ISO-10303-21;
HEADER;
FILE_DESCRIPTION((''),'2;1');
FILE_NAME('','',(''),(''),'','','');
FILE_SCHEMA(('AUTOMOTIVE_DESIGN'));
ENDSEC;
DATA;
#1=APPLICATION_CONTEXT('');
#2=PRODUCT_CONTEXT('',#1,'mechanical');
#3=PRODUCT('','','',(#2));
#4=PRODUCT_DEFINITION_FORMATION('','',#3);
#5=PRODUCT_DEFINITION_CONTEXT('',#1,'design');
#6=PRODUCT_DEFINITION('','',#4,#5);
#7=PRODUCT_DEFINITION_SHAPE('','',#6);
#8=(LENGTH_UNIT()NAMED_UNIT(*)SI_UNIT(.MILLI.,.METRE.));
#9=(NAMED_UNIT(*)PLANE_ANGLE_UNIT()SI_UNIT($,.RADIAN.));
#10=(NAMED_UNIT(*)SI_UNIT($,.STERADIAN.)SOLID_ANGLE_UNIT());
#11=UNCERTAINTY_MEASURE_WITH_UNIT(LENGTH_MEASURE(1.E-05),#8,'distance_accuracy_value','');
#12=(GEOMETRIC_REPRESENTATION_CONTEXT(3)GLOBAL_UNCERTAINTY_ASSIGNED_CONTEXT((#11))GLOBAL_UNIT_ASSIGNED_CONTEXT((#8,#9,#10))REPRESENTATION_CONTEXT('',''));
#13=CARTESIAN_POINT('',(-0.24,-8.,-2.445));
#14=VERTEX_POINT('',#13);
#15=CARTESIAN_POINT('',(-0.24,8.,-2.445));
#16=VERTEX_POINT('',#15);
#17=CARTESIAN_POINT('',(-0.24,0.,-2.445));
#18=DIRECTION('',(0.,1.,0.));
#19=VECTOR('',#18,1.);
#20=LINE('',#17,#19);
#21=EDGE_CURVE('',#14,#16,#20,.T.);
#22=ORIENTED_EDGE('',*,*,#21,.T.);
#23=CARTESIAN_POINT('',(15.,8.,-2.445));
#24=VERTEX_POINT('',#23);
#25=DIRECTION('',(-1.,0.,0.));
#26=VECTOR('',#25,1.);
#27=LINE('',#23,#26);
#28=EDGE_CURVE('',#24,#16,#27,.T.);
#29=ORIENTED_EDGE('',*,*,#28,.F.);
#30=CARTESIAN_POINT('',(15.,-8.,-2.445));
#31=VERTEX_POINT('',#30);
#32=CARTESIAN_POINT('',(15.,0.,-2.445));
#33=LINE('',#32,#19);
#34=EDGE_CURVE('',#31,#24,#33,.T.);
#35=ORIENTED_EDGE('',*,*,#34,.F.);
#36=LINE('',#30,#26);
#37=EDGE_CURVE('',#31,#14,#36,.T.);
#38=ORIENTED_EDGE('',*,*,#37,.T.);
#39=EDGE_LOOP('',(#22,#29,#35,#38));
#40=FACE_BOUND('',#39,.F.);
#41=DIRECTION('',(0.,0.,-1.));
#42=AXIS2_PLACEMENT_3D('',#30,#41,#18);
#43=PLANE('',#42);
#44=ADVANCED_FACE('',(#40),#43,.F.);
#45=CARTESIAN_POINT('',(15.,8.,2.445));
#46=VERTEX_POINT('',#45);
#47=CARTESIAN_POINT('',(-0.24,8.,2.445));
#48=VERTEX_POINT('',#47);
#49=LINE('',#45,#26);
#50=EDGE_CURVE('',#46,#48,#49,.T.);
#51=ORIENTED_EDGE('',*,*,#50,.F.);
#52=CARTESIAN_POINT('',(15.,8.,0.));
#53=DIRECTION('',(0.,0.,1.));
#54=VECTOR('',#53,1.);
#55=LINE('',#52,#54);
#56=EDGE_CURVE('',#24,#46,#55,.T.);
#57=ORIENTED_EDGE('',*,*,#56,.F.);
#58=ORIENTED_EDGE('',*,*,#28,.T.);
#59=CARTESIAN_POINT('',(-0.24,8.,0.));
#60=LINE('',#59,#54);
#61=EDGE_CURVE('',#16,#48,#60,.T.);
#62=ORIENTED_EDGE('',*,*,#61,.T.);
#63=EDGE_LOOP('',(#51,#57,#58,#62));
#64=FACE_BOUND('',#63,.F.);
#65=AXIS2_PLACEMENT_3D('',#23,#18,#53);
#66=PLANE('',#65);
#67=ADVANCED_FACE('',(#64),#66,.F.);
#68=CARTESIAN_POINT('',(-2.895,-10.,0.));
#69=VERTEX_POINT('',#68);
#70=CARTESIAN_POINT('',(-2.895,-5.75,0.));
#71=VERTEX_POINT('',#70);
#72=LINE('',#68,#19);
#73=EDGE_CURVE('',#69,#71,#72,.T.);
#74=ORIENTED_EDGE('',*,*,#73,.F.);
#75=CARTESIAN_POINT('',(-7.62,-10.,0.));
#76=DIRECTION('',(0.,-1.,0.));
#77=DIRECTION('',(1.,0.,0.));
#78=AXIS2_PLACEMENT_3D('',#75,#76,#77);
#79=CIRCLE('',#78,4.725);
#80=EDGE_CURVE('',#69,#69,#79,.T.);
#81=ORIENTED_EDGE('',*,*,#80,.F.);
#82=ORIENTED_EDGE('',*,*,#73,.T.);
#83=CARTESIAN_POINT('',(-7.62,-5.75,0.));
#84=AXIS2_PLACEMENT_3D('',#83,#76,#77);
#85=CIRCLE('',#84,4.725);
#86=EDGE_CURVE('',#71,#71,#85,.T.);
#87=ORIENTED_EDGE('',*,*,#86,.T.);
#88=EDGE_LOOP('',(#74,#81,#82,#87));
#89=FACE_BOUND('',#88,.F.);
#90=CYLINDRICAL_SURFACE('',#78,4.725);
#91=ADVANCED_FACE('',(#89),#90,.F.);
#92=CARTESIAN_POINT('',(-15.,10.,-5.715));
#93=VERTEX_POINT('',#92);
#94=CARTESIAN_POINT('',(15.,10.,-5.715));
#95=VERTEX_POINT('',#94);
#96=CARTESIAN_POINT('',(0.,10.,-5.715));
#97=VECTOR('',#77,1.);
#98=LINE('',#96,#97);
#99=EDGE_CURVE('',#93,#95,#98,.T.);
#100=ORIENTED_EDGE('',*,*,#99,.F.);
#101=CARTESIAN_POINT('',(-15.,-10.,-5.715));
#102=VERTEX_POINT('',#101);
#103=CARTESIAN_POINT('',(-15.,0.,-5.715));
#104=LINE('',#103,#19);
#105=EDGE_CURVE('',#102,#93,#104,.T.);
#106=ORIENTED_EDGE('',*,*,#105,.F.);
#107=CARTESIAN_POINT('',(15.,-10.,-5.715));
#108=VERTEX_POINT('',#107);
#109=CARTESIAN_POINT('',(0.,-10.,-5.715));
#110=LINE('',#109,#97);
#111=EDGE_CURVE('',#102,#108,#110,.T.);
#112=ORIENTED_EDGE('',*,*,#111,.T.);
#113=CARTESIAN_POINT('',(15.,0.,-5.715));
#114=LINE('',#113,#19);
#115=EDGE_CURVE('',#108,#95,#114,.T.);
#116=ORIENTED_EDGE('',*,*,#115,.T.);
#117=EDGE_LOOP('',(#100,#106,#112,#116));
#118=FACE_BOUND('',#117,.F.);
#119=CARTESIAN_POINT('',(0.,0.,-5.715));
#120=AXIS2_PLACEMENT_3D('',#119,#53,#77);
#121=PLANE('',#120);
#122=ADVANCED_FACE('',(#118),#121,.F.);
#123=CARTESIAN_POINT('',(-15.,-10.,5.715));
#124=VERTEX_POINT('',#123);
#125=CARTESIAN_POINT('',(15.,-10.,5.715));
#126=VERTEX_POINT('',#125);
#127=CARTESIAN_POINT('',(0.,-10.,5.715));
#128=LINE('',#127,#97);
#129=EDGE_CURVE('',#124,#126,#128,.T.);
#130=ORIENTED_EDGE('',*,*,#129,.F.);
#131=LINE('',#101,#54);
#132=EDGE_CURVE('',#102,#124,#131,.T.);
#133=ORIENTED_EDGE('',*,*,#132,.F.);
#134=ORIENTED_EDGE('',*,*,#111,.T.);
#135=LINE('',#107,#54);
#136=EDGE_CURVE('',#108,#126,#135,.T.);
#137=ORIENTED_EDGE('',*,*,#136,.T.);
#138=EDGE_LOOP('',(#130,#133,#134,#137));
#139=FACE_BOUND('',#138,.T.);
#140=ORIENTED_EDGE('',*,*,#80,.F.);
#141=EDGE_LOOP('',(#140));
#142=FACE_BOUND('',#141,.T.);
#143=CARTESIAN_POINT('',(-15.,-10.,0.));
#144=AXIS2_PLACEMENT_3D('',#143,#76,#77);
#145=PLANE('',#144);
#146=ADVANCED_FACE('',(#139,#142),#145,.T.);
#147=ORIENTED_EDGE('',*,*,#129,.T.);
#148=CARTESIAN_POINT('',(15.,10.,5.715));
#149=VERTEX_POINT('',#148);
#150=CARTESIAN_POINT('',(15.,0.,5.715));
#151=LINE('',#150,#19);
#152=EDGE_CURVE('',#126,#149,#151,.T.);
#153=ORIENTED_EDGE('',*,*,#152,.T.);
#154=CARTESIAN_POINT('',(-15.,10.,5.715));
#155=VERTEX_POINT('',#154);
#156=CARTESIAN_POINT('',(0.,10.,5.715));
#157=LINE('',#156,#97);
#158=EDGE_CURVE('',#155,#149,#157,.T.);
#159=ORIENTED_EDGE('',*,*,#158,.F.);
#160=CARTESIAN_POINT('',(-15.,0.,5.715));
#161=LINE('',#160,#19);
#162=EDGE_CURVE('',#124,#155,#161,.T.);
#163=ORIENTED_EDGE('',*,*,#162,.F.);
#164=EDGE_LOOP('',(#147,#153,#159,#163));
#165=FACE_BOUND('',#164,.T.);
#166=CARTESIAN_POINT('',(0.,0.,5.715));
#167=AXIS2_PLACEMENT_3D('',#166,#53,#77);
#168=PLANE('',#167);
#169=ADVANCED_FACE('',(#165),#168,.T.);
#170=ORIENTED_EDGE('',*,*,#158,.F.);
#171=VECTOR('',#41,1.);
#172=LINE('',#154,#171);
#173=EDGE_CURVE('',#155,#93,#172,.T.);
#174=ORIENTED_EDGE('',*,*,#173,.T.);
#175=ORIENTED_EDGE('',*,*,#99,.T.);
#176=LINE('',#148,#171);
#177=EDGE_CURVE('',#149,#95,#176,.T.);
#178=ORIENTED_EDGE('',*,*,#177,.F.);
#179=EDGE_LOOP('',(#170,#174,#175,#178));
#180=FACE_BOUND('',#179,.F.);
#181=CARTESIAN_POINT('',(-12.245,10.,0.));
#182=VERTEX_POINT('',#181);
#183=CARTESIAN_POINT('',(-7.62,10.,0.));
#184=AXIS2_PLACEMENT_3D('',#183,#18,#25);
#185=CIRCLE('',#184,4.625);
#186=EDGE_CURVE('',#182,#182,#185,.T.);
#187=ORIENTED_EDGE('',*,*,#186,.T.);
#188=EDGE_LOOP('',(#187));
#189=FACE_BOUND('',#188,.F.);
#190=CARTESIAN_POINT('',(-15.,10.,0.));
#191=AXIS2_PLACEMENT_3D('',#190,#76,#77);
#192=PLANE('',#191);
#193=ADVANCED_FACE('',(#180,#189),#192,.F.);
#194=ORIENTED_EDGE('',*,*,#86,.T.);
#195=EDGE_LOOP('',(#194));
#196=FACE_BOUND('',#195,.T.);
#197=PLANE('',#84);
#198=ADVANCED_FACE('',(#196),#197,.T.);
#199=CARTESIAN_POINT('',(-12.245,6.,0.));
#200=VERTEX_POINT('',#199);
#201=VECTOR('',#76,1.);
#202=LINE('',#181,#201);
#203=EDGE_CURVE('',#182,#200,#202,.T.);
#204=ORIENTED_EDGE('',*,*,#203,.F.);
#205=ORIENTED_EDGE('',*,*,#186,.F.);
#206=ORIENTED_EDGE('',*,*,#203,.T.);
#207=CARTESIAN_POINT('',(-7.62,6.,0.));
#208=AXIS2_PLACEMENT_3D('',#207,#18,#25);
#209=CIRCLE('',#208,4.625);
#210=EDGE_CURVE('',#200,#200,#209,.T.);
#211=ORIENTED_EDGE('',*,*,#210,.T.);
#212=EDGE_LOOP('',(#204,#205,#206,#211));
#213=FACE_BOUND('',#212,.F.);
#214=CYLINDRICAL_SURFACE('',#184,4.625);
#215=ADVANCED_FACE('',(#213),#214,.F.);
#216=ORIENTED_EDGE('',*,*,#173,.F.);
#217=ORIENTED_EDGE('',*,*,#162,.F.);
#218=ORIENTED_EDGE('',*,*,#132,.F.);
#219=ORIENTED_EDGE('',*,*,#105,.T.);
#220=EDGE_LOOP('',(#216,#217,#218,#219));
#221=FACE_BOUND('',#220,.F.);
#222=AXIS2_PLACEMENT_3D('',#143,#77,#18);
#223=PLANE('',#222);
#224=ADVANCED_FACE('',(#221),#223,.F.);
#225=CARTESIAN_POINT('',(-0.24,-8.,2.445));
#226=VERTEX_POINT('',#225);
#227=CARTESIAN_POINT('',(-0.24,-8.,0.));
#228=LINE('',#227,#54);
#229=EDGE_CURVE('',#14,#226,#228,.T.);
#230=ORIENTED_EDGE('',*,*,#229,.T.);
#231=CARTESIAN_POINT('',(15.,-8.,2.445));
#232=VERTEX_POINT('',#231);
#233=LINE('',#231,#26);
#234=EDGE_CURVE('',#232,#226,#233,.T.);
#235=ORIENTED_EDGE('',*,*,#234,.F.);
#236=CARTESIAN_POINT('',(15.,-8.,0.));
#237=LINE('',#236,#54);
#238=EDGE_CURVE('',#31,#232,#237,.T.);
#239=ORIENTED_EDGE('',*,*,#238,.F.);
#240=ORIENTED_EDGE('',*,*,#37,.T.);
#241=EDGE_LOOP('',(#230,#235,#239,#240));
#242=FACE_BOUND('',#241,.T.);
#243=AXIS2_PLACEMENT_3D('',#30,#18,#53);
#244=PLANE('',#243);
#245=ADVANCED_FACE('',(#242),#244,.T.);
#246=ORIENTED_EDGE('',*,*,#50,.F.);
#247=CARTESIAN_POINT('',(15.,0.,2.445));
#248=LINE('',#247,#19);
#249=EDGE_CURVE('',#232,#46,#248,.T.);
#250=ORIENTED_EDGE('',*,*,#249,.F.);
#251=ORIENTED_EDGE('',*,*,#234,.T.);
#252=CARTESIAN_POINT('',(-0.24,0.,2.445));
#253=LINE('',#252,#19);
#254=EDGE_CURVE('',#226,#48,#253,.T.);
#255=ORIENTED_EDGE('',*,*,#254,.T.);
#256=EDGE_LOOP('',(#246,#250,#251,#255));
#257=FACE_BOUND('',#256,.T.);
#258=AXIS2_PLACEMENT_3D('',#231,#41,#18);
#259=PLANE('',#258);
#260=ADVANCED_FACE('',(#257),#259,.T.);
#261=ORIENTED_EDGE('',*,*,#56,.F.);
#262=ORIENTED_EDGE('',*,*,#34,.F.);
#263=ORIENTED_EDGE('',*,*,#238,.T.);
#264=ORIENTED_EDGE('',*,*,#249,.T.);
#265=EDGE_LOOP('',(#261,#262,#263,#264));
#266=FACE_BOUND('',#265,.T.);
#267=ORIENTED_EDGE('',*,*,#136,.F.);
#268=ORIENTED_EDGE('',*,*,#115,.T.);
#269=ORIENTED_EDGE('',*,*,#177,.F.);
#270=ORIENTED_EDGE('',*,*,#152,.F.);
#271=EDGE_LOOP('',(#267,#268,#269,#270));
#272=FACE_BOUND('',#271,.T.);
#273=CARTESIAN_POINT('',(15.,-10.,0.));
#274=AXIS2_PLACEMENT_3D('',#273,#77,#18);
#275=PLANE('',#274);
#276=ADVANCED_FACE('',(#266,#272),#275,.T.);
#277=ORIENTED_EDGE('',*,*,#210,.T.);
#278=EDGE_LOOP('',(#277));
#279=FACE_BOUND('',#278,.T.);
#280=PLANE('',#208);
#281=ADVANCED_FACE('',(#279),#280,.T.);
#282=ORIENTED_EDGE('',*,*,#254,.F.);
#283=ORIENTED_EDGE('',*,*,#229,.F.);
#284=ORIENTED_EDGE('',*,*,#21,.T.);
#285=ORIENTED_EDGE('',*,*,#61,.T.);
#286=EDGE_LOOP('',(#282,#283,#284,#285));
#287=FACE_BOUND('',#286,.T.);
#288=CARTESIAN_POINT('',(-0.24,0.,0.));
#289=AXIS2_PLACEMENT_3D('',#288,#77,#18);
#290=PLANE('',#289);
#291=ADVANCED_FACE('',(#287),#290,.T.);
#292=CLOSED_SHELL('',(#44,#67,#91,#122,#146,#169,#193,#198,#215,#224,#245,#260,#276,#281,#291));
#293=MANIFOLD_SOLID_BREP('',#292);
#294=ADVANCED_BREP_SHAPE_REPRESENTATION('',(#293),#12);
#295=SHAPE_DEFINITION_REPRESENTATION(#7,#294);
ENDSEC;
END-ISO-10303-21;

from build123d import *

# Parameters (mm, degrees)
F0_W     = 30
F0_H     = 20
F1_DEPTH = 5.715
F2_W     = 16
F2_H     = 4.89
F3_DEPTH = 15.24
F4_R     = 4.625
F5_DEPTH = 4
F6_R     = 4.725
F6_R_2   = 4.625
F7_DEPTH = 4.25


with BuildPart() as f1:
    # F0 (on Top) → F1 (new body, symmetric)
    with BuildSketch(Plane.XY):
        Rectangle(F0_W, F0_H)
    extrude(amount=F1_DEPTH, both=True)

    # F2 (on face) → F3 (cut)
    with BuildSketch(Plane.YZ.offset(15)):
        Rectangle(F2_W, F2_H)
    extrude(amount=-F3_DEPTH, mode=Mode.SUBTRACT)

    # F4 (on face) → F5 (cut)
    with BuildSketch(Plane(origin=(0, 10, 0), x_dir=(-1, 0, 0), z_dir=(0, 1, 0))):
        with Locations((7.62, 0)):
            Circle(F4_R)
    extrude(amount=-F5_DEPTH, mode=Mode.SUBTRACT)

    # F6 (on face) → F7 (cut)
    with BuildSketch(Plane.XZ.offset(10)):
        with Locations((-7.62, 0)):
            Circle(F6_R)
        with Locations((-7.62, 0)):
            Circle(F6_R_2, mode=Mode.SUBTRACT)
        with Locations((-7.62, 0)):
            Circle(F6_R_2)
    extrude(amount=-F7_DEPTH, mode=Mode.SUBTRACT)


solid = f1.part
